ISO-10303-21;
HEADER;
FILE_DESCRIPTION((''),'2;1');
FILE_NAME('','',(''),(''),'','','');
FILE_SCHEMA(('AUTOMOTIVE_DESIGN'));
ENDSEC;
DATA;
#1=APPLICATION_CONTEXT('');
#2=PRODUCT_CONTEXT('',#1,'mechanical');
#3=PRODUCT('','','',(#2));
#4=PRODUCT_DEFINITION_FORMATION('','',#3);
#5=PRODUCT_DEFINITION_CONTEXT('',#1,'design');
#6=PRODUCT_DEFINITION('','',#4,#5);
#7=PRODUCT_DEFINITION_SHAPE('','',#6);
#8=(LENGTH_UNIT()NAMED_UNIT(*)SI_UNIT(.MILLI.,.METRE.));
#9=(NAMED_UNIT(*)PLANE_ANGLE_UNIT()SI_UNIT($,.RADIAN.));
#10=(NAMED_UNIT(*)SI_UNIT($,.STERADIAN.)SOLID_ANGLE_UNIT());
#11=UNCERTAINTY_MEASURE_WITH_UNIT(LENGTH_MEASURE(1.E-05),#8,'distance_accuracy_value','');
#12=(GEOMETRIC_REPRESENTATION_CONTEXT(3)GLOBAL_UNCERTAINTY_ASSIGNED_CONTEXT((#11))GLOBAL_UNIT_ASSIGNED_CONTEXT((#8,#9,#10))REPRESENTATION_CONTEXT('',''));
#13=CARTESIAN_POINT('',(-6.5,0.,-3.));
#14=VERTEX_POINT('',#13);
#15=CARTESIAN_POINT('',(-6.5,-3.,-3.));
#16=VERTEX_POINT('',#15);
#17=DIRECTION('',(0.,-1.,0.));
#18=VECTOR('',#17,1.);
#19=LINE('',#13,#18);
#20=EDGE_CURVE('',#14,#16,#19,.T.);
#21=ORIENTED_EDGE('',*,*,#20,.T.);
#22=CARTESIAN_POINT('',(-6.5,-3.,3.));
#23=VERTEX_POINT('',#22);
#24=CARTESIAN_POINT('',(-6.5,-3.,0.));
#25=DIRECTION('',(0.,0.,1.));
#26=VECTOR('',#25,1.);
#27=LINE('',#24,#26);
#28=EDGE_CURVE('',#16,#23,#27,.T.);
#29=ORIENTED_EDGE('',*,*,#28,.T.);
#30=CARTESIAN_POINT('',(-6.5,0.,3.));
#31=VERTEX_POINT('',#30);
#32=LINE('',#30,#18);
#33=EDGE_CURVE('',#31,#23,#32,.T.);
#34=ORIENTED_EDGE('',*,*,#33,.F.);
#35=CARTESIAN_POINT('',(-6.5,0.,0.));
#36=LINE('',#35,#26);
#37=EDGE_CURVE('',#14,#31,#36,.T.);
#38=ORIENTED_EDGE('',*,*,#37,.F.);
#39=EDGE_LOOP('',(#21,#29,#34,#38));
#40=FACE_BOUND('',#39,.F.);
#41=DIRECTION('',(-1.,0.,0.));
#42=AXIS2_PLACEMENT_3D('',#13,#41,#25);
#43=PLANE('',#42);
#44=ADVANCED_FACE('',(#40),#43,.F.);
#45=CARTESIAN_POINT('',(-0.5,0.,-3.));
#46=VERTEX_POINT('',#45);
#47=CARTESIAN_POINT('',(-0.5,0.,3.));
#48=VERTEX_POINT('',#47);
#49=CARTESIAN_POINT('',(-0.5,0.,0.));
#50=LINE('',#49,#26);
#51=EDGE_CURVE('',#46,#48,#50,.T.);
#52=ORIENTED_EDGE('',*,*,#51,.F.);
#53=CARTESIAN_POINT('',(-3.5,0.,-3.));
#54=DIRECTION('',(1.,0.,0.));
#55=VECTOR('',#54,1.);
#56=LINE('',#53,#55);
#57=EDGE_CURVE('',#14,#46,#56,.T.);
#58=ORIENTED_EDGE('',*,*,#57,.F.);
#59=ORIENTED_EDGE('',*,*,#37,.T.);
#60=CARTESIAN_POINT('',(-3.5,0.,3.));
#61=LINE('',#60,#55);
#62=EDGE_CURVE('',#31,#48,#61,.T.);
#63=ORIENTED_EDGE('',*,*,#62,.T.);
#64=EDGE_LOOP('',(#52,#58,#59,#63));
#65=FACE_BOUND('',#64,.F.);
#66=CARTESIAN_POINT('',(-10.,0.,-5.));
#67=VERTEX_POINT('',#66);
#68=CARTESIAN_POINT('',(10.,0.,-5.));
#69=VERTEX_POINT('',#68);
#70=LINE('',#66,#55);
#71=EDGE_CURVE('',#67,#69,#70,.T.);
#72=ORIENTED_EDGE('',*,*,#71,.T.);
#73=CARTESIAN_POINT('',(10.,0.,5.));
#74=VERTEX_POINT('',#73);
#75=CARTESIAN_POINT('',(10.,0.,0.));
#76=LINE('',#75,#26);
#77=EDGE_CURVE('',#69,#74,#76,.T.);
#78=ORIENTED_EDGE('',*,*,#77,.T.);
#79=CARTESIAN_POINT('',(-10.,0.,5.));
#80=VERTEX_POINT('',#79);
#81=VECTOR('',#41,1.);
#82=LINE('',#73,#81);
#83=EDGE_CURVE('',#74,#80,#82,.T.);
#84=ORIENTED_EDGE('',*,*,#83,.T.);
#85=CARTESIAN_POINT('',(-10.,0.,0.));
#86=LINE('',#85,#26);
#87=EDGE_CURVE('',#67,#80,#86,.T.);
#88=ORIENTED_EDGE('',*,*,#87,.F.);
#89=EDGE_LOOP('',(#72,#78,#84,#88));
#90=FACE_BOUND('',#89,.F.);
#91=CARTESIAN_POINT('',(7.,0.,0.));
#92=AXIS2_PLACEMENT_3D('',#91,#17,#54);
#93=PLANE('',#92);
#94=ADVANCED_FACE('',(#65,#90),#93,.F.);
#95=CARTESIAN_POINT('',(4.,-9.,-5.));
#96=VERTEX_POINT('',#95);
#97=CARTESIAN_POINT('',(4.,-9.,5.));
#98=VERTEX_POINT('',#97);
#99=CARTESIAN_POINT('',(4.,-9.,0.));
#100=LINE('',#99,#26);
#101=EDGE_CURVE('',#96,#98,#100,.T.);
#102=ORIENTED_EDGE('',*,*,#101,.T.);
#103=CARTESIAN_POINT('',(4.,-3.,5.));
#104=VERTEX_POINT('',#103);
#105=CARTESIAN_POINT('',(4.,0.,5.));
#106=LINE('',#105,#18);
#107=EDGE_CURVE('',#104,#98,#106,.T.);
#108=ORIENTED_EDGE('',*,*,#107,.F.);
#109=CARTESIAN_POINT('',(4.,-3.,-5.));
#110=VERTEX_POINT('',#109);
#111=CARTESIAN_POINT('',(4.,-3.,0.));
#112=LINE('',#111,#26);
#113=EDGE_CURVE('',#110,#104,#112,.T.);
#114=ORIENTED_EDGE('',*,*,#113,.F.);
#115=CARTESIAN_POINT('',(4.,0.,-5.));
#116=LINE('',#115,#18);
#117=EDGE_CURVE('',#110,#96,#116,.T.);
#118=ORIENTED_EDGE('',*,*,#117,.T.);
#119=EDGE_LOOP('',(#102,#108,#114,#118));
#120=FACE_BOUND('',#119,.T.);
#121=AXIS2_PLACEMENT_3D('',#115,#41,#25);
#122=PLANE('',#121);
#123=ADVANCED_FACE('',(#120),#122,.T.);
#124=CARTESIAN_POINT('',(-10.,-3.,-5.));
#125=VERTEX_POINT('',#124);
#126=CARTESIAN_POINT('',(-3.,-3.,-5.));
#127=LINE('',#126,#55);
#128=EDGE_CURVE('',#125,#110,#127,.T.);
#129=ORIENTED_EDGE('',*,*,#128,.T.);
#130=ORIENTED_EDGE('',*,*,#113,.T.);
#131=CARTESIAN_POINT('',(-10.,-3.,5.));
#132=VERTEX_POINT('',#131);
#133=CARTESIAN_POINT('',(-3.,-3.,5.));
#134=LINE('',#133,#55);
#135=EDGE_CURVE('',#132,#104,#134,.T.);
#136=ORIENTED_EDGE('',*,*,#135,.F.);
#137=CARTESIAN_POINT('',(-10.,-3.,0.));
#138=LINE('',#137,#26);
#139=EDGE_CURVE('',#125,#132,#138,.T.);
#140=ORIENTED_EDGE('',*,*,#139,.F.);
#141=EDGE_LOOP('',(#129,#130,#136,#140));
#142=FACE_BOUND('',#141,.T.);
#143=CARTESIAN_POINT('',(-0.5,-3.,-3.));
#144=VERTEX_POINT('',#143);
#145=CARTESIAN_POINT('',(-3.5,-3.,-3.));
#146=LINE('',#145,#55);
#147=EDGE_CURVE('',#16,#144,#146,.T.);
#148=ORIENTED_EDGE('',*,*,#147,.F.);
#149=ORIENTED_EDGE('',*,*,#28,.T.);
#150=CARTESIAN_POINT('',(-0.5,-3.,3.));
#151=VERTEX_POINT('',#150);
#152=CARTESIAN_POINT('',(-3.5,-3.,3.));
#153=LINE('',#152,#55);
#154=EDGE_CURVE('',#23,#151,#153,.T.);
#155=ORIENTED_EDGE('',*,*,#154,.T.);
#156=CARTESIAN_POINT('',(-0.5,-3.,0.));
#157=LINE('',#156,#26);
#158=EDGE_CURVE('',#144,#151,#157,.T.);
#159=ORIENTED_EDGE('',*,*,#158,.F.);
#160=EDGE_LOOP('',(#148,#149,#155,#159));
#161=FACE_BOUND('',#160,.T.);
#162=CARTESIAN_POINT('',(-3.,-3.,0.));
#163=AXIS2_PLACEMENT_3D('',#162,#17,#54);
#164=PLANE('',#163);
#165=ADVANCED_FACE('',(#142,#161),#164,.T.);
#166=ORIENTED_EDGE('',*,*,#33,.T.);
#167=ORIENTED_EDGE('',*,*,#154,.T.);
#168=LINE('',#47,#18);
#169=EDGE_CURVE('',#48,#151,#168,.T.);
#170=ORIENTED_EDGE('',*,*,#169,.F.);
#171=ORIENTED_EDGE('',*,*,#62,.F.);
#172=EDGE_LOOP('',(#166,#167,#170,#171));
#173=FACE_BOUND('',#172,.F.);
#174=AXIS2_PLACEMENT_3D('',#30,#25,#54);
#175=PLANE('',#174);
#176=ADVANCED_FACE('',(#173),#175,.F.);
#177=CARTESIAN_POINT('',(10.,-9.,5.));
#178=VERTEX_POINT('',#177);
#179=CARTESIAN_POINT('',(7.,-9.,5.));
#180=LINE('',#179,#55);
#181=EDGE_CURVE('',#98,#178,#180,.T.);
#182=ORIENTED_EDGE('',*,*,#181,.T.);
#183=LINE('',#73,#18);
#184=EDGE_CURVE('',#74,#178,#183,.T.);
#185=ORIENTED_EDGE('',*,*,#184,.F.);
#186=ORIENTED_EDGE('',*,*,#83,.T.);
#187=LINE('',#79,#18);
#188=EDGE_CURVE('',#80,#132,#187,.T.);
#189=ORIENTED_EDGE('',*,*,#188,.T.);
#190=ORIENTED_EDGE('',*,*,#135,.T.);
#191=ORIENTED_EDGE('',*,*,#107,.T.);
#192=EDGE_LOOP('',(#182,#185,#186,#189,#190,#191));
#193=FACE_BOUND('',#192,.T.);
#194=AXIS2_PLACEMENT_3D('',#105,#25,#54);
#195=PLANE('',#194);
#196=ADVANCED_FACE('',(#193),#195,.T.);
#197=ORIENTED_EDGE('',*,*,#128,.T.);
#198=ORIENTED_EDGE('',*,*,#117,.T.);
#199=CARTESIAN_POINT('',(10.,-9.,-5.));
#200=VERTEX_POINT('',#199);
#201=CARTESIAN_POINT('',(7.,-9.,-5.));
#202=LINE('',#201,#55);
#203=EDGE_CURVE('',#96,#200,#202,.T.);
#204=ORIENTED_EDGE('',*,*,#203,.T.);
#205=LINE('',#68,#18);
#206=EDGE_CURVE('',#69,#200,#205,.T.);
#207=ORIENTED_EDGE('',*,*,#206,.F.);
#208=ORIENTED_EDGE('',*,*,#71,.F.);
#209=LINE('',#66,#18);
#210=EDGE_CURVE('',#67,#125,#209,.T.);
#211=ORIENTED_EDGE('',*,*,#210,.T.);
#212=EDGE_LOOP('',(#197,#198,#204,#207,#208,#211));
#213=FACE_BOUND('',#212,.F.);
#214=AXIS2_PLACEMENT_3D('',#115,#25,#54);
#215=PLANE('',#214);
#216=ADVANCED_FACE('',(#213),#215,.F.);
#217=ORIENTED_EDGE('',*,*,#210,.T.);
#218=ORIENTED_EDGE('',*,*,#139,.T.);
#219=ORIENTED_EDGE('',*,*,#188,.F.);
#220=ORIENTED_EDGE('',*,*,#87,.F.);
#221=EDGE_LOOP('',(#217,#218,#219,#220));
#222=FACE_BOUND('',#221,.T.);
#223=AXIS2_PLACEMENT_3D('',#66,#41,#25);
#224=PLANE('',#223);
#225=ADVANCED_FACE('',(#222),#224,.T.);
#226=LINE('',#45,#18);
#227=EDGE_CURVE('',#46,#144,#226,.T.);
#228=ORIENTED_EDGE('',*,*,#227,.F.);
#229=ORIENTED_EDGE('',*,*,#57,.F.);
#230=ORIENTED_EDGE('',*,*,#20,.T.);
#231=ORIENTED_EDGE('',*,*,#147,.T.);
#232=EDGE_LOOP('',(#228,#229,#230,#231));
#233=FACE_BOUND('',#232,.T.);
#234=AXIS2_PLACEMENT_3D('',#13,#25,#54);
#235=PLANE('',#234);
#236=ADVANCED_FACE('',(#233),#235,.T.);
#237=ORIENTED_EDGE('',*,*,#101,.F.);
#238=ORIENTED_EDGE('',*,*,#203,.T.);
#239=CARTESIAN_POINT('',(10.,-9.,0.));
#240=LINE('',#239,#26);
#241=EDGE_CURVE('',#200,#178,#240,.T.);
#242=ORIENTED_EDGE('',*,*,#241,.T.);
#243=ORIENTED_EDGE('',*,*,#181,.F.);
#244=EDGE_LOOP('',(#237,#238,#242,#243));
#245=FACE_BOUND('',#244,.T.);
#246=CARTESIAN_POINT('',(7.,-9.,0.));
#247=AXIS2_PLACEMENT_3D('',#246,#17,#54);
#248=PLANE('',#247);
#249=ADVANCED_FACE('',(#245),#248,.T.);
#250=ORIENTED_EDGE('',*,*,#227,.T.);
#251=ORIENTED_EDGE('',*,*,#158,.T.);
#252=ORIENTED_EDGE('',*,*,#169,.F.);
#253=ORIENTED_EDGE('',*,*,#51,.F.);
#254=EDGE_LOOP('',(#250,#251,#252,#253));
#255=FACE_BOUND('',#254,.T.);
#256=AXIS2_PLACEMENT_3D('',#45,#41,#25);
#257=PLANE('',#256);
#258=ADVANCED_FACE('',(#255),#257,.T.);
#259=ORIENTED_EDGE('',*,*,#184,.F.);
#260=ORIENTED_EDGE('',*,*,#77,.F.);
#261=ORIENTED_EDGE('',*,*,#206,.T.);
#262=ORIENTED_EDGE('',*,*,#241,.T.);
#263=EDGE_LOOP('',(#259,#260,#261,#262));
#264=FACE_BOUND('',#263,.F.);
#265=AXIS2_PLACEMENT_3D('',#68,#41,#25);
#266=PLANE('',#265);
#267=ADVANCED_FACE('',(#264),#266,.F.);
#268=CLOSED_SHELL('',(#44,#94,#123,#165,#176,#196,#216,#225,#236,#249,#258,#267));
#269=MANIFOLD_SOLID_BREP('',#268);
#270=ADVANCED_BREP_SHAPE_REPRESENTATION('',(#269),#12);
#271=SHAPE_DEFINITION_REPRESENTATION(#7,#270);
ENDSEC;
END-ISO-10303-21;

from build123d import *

# Parameters (mm, degrees)
F0_W     = 14
F0_H     = 10
F0_W_2   = 6
F0_H_2   = 6
F1_DEPTH = 3
F2_DEPTH = 9


with BuildPart() as f1:
    # F0 (on Front) → F1 (new body)
    with BuildSketch(Plane.XZ):
        with Locations((-3, 0)):
            Rectangle(F0_W, F0_H)
        with Locations((-3.5, 0)):
            Rectangle(F0_W_2, F0_H_2, mode=Mode.SUBTRACT)
    extrude(amount=F1_DEPTH)

    # F0 (on Front) → F2 (join)
    with BuildSketch(Plane.XZ):
        with Locations((7, 0)):
            Rectangle(F0_W_2, F0_H)
    extrude(amount=F2_DEPTH)


solid = f1.part
